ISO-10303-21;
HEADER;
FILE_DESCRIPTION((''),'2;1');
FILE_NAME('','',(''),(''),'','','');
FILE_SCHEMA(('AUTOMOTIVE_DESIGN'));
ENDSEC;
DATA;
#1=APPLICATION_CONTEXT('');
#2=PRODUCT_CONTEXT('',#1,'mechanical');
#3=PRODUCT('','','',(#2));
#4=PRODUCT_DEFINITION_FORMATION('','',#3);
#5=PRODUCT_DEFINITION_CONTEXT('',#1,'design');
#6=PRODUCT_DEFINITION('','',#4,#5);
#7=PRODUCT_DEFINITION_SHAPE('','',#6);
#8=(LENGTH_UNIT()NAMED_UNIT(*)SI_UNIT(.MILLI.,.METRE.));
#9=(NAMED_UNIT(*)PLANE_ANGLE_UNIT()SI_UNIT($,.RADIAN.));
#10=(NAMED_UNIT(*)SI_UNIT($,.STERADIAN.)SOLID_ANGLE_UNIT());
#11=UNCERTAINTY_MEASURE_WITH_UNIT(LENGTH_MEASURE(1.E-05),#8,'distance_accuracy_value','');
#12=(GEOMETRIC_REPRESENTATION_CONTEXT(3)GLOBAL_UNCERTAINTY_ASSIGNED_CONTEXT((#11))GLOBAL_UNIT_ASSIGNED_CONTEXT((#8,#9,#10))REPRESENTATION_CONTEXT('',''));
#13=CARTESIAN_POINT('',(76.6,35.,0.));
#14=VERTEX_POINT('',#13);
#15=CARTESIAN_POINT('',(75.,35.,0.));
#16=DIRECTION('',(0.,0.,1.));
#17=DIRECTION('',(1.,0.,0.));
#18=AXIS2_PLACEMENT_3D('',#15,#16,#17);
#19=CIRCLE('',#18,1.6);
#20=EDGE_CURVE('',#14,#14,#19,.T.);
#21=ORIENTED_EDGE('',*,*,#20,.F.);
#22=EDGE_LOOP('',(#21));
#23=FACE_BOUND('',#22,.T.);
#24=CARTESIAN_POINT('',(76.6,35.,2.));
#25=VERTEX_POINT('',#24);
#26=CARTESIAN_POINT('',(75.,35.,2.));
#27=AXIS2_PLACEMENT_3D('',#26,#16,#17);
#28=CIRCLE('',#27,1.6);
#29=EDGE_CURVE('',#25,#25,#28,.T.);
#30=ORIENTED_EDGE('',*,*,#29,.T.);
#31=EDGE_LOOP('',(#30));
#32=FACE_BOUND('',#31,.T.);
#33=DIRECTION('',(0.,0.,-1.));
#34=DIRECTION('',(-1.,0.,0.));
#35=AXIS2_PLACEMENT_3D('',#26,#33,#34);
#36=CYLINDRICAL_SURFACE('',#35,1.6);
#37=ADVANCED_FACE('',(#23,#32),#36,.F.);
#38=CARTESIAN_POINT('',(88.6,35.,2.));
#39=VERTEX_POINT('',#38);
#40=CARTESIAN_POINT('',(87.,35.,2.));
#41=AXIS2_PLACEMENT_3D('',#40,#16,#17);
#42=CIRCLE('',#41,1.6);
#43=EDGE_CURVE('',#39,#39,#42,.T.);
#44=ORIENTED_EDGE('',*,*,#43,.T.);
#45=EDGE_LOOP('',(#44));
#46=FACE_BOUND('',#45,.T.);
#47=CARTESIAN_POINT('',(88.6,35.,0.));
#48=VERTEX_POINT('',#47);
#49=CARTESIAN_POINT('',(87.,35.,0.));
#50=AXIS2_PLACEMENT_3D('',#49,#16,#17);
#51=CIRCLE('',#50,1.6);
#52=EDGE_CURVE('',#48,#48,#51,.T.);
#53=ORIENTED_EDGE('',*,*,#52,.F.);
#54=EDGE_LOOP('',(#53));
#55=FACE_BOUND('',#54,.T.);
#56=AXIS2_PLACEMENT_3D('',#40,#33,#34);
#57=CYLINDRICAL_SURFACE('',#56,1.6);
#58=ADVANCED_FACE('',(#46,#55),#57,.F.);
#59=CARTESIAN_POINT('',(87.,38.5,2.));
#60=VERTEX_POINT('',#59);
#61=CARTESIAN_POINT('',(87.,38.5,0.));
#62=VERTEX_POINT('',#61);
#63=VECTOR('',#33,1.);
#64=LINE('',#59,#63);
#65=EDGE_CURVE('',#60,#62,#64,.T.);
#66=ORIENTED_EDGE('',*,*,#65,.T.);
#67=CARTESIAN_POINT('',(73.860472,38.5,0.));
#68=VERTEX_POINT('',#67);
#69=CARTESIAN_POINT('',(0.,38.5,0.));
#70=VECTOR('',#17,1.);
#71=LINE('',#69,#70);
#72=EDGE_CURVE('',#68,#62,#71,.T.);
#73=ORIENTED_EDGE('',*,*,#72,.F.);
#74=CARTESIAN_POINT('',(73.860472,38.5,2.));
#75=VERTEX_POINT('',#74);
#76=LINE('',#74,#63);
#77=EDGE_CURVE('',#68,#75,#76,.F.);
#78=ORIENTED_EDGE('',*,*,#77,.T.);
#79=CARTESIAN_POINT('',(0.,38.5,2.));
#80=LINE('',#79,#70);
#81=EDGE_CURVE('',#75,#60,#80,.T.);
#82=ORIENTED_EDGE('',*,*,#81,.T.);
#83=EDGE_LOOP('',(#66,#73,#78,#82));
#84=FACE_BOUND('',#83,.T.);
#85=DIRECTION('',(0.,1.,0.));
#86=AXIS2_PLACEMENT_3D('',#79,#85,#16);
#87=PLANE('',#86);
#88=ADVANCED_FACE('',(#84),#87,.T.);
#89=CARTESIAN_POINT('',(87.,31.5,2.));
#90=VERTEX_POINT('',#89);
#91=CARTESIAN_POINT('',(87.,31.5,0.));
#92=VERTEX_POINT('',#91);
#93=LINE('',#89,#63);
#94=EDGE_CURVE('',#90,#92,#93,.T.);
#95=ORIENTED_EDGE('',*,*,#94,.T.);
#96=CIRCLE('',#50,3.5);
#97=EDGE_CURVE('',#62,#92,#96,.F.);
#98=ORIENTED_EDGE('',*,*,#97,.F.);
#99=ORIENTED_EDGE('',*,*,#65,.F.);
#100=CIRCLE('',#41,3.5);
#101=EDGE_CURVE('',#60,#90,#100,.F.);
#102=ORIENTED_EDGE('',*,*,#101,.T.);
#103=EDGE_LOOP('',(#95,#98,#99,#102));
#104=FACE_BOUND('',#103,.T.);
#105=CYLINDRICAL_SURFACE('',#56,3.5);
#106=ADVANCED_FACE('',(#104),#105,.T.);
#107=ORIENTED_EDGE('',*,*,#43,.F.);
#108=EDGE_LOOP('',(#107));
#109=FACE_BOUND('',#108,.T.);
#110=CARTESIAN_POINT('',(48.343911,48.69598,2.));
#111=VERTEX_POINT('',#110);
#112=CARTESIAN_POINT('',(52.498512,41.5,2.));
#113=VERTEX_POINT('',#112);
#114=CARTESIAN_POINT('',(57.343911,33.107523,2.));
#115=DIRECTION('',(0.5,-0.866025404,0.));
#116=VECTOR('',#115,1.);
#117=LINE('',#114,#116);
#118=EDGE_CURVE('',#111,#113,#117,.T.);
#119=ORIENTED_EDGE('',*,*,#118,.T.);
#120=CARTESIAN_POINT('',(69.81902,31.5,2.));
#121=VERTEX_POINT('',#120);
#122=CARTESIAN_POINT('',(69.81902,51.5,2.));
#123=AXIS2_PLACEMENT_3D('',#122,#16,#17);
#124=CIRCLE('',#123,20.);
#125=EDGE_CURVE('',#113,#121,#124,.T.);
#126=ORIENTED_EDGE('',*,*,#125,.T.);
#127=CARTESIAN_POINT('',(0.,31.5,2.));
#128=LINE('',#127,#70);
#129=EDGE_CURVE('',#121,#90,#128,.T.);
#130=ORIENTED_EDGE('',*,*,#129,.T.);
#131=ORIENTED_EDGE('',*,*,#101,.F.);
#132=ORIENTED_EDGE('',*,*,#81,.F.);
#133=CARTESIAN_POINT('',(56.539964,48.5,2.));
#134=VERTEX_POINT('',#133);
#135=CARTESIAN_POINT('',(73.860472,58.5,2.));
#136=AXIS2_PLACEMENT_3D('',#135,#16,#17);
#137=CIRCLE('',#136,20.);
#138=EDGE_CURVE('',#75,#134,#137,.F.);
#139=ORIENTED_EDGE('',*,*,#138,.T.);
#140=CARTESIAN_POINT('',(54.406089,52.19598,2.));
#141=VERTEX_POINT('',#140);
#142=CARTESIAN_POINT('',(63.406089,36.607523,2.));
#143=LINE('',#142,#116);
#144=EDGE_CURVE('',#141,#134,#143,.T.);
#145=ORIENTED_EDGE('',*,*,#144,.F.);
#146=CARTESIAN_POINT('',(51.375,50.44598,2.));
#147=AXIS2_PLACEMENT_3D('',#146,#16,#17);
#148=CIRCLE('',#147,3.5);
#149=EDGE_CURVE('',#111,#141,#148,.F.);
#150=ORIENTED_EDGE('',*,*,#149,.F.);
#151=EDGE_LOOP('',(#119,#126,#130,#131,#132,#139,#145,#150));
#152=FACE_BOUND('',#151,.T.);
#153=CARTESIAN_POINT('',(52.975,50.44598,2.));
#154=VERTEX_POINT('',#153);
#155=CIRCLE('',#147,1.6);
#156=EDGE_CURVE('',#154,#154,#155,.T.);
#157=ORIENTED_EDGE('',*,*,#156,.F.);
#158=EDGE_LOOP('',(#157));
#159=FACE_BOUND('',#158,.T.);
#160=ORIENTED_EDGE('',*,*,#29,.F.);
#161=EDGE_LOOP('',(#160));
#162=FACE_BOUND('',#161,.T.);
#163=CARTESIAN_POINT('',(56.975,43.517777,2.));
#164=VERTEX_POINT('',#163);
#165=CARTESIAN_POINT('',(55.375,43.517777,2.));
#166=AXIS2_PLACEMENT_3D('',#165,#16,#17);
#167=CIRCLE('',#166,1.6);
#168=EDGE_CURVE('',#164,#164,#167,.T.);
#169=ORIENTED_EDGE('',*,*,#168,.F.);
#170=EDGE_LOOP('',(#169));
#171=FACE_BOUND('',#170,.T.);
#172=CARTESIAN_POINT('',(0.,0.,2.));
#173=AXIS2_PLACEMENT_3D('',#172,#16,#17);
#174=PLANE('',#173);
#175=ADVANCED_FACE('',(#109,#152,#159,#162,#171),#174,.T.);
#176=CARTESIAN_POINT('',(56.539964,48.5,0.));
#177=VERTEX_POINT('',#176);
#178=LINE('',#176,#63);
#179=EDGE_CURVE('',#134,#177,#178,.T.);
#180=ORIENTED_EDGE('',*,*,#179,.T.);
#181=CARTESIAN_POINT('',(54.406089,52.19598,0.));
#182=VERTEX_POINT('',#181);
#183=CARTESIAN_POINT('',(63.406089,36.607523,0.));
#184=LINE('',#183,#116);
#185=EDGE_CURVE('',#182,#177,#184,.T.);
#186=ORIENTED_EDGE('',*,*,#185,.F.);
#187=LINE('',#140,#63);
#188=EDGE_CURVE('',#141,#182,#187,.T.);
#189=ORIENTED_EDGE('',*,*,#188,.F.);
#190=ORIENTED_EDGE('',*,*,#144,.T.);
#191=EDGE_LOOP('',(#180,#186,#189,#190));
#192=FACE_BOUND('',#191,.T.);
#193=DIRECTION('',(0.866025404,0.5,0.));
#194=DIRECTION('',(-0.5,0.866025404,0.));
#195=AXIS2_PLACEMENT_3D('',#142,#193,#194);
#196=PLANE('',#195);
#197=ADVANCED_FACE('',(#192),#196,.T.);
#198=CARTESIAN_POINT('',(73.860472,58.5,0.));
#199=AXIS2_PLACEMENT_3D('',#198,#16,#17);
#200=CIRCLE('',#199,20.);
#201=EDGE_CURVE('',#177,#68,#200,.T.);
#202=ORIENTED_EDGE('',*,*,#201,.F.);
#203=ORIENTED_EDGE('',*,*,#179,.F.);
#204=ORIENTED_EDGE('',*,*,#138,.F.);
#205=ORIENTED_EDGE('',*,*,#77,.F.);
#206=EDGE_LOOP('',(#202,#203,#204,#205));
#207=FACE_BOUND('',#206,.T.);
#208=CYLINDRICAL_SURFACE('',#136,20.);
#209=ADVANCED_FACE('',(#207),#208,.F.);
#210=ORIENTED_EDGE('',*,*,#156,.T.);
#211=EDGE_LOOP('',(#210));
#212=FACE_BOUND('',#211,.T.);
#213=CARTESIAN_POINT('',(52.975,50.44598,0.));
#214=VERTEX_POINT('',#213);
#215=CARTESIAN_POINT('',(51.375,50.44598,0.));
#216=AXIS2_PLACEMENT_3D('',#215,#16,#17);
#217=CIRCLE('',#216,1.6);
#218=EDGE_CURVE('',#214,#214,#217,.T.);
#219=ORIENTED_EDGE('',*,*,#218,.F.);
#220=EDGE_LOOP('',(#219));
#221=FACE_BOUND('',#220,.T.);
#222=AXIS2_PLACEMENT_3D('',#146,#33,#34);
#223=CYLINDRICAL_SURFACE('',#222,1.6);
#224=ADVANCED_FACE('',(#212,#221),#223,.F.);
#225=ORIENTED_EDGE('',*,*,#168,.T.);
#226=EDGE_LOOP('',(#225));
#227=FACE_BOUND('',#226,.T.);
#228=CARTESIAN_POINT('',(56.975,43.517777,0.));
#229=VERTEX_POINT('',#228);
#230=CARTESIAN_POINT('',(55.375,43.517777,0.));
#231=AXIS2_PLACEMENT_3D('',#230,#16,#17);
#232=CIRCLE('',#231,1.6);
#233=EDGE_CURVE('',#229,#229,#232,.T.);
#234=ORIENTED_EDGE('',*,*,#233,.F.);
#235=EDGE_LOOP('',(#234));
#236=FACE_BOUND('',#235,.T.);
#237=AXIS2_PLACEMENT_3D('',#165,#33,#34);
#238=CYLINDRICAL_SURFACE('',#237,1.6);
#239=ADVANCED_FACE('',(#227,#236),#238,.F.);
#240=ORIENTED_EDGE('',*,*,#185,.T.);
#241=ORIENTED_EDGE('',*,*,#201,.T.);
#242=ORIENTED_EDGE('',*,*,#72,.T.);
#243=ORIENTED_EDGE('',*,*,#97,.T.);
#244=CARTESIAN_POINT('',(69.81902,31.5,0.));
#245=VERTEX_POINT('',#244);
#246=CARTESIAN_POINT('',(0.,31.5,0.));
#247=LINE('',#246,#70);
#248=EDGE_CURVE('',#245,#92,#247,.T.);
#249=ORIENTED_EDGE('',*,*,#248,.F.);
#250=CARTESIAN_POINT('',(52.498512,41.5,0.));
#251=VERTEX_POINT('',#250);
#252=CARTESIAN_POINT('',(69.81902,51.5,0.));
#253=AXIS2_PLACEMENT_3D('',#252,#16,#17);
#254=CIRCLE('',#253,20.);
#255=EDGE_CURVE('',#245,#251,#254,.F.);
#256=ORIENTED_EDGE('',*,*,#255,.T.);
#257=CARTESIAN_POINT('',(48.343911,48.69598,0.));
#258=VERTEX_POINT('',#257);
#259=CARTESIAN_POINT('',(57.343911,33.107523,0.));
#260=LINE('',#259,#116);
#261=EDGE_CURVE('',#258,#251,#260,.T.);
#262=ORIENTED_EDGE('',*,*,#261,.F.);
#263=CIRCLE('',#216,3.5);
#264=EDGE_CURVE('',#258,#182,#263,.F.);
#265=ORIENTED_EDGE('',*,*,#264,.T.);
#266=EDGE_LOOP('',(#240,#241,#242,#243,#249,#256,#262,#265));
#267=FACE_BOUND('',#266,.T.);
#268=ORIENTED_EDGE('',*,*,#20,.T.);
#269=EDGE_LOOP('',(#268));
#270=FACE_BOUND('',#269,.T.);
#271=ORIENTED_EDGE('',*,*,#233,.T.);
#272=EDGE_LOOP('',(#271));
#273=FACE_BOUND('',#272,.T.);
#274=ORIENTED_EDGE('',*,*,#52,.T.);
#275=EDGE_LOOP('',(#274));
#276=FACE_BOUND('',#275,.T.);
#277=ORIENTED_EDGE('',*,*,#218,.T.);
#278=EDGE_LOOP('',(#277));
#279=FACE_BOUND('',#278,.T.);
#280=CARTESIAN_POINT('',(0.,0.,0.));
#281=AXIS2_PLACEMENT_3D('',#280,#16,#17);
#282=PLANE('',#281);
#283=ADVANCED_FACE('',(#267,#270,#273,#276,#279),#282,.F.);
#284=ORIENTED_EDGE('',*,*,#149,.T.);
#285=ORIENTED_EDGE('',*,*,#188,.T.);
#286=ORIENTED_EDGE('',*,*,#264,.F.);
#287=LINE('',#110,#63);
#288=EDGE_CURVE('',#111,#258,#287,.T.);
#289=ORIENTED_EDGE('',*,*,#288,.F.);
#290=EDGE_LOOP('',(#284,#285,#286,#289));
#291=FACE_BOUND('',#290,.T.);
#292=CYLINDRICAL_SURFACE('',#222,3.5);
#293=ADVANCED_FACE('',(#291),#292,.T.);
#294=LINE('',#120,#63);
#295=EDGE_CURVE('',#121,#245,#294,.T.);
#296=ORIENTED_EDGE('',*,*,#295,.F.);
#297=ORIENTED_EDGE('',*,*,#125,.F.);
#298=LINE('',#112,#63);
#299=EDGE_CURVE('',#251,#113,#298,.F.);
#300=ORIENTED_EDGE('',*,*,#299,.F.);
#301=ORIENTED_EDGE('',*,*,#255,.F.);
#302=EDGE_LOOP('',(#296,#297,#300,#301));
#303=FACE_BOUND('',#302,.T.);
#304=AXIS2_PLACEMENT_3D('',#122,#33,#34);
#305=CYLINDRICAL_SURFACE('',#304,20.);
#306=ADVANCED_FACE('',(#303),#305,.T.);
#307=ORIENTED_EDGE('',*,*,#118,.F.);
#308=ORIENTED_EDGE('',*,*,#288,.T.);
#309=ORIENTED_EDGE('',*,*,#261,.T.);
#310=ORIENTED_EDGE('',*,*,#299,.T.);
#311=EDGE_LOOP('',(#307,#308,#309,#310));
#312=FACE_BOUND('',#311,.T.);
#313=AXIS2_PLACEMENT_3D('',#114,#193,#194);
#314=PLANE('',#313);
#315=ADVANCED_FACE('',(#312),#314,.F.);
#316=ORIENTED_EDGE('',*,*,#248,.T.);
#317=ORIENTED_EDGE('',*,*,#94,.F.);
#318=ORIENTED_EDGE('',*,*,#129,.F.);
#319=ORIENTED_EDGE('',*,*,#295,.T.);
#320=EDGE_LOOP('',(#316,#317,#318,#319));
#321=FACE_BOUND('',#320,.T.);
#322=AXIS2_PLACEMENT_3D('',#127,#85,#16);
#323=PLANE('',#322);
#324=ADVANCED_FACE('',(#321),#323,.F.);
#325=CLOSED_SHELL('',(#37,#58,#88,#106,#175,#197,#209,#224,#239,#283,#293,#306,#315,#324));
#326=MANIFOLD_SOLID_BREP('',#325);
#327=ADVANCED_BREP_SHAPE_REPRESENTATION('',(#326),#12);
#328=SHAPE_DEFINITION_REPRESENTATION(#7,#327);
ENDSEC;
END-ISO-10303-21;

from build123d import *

# Parameters (mm, degrees)
SKETCH_1_R      = 1.6
EXTRUDE_1_DEPTH = 2
FILLET_1_R      = 20


with BuildPart() as part:
    # ｽｹｯﾁ1 → ﾎﾞｽ - 押し出し1 (new body)
    with BuildSketch(Plane.XY):
        with BuildLine():
            ThreePointArc((87, 38.5), (90.5, 35), (87, 31.5))
            Line((87, 31.5), (58.272014636, 31.5))
            Line((58.272014636, 31.5), (48.343911087, 48.69597977))
            ThreePointArc((48.343911087, 48.69597977), (49.625, 53.477068684), (54.406088913, 52.19597977))
            Line((54.406088913, 52.19597977), (62.313466521, 38.5))
            Line((62.313466521, 38.5), (87, 38.5))
        make_face()
        with Locations((87, 35)):
            Circle(SKETCH_1_R, mode=Mode.SUBTRACT)
        with Locations((75, 35)):
            Circle(SKETCH_1_R, mode=Mode.SUBTRACT)
        with Locations((55.375, 43.51777654)):
            Circle(SKETCH_1_R, mode=Mode.SUBTRACT)
        with Locations((51.375, 50.44597977)):
            Circle(SKETCH_1_R, mode=Mode.SUBTRACT)
    extrude(amount=EXTRUDE_1_DEPTH)

    # ﾌｨﾚｯﾄ1
    fillet_1_edges = [part.edges().sort_by_distance(p)[0] for p in [
        (58.272014636, 31.5, 1),
        (62.313466521, 38.5, 1),
    ]]
    fillet(fillet_1_edges, radius=FILLET_1_R)


solid = part.part
